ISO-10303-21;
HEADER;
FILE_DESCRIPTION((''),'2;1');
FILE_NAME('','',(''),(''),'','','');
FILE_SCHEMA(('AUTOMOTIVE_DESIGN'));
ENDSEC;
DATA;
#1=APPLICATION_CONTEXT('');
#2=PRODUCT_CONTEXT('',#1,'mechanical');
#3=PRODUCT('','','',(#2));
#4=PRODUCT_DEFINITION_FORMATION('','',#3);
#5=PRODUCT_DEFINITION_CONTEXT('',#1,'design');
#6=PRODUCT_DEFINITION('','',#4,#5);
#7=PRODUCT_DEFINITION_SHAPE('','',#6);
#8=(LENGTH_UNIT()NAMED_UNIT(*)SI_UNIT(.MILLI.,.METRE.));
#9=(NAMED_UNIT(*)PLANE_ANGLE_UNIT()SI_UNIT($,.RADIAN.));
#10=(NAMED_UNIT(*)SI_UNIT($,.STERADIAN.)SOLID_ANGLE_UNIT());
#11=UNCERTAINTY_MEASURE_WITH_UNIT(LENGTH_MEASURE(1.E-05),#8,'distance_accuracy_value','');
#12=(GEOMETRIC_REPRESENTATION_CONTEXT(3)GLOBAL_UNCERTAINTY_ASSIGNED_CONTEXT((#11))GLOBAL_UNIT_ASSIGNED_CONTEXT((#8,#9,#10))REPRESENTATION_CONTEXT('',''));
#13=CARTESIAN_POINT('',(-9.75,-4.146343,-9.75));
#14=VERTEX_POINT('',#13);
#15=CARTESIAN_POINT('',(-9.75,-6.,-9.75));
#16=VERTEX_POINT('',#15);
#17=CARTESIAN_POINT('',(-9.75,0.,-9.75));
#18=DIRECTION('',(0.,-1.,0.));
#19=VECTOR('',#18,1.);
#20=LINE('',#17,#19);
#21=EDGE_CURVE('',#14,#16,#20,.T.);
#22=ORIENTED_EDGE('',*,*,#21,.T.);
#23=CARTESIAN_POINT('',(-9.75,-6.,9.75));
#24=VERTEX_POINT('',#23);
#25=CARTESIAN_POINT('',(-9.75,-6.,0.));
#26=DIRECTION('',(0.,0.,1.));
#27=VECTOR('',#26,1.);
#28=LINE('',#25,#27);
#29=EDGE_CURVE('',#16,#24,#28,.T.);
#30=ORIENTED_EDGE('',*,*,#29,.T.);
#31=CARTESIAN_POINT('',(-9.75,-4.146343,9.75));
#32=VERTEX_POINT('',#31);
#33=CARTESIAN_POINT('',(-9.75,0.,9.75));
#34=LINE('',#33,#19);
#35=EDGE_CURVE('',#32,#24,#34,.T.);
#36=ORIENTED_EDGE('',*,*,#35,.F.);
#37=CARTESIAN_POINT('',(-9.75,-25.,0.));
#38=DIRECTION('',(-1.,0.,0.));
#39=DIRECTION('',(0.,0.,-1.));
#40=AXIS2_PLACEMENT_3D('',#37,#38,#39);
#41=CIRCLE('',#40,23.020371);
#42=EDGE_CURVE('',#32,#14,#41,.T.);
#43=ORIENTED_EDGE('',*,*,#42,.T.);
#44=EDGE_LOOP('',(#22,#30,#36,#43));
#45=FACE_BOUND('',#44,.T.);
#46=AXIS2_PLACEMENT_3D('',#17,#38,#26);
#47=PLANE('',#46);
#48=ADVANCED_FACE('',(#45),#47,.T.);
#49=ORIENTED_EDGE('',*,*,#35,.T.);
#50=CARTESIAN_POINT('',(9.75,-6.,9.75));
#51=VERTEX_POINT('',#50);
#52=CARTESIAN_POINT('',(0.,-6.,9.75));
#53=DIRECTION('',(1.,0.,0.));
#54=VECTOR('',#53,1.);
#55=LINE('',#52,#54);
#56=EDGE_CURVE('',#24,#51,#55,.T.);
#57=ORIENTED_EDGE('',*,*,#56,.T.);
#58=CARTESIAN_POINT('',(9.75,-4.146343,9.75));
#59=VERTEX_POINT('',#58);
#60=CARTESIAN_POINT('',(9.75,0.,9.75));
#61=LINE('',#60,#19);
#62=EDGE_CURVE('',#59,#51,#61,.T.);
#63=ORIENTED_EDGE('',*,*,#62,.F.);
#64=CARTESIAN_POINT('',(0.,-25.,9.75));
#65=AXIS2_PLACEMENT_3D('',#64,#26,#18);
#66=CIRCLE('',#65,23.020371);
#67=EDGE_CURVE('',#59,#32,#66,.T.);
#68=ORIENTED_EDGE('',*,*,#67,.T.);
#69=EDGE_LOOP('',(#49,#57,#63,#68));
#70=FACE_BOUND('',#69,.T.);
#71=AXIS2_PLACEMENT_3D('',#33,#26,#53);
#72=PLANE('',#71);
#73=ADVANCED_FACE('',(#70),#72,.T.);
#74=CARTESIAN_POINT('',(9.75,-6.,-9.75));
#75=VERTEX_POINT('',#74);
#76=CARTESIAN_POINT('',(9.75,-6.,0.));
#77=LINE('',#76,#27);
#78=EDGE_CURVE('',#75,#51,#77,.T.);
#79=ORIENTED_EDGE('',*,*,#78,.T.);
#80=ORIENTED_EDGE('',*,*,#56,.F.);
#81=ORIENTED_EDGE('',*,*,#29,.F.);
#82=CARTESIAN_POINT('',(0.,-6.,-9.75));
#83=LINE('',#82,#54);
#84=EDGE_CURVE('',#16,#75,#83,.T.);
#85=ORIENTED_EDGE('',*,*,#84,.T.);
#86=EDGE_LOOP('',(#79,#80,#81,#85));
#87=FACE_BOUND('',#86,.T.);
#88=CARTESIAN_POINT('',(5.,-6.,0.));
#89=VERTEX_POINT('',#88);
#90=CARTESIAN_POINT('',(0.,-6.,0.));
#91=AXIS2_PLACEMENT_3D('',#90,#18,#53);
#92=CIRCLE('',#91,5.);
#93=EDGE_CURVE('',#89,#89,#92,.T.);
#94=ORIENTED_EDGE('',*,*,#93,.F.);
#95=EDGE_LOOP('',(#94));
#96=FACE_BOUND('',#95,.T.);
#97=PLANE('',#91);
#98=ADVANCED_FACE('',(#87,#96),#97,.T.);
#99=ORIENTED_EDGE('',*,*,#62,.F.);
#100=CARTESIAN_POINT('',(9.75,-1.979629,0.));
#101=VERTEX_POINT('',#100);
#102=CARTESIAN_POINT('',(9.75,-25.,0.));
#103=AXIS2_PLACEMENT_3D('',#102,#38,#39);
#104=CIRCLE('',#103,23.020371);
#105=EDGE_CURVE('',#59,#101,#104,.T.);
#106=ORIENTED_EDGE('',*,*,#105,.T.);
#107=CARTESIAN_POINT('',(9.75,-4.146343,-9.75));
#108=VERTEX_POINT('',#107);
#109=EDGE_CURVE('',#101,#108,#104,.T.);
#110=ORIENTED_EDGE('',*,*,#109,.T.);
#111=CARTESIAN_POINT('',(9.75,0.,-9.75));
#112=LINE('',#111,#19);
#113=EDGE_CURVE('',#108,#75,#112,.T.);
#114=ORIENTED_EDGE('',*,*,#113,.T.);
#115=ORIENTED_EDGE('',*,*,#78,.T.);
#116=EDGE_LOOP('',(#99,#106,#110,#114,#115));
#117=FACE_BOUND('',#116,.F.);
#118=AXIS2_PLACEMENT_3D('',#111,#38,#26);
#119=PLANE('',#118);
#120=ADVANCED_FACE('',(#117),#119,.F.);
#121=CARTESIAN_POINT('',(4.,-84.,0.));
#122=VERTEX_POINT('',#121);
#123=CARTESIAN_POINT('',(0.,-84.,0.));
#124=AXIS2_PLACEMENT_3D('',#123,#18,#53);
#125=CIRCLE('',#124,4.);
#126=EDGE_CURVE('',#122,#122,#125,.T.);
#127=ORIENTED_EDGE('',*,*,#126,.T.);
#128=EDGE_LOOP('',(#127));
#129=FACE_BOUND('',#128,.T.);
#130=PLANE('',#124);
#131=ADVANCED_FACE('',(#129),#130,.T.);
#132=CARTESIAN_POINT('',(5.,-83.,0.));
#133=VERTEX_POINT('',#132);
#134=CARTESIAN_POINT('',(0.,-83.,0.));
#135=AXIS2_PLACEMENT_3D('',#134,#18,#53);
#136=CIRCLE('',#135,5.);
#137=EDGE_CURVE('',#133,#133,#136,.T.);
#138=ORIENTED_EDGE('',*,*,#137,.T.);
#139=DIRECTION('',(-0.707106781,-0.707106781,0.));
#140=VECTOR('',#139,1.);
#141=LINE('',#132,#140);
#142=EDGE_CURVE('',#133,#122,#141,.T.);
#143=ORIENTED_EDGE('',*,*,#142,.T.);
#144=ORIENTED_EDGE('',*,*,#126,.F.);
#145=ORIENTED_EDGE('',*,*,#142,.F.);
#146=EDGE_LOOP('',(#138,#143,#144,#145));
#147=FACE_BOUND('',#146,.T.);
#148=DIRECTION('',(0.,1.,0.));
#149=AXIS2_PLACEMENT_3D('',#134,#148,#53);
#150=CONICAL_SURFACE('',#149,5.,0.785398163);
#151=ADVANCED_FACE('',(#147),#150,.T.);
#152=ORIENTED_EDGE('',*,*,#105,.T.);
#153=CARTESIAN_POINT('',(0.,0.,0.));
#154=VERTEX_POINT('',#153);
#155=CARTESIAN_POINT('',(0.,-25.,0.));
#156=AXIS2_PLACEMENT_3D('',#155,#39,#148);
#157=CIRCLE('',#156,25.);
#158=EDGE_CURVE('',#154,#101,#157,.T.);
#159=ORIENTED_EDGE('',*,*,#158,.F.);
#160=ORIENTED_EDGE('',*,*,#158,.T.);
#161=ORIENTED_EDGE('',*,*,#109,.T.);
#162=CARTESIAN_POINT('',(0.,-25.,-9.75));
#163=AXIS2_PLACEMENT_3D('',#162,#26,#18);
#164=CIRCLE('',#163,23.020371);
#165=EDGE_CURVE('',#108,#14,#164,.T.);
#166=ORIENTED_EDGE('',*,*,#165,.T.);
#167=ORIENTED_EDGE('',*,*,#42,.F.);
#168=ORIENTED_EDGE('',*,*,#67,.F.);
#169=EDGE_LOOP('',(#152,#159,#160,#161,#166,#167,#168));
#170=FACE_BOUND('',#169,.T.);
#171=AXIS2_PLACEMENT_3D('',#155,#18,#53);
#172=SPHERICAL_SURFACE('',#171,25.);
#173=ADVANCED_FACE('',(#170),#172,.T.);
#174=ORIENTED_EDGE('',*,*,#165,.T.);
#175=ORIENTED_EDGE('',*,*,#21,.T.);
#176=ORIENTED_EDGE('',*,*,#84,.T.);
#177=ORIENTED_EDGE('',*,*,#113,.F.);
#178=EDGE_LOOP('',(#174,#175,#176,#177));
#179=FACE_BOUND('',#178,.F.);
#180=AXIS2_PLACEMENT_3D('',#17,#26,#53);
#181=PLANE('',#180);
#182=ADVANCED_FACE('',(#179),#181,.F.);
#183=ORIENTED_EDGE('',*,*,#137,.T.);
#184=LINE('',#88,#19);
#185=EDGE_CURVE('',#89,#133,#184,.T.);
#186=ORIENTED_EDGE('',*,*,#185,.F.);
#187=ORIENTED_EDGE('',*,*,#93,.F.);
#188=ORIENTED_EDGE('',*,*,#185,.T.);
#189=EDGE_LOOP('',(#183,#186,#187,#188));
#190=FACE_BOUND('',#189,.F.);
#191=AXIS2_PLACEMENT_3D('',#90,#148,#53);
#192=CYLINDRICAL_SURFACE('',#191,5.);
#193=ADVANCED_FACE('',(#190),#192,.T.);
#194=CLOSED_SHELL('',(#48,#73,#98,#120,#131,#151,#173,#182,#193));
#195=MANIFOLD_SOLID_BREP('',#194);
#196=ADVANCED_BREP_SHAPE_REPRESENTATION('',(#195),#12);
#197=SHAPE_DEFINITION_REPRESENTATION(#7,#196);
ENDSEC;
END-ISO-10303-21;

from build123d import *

# Parameters (mm, degrees)
F0_W     = 19.5
F0_H     = 19.5
F1_DEPTH = 6
F2_R     = 5
F3_DEPTH = 78
F4_SIZE  = 1


with BuildPart() as f1:
    # F0 (on Front) → F1 (new body)
    with BuildSketch(Plane.XZ):
        Rectangle(F0_W, F0_H)
    extrude(amount=F1_DEPTH)

    # F2 (on face) → F3 (join)
    with BuildSketch(Plane.XZ.offset(6)):
        Circle(F2_R)
    extrude(amount=F3_DEPTH)

    # F4
    f4_edges = [f1.edges().sort_by_distance(p)[0] for p in [
        (-5, -84, 0),
    ]]
    chamfer(f4_edges, length=F4_SIZE)

    # F5 (on Top) → F6 (revolve, cut)
    with BuildSketch(Plane.XY):
        with BuildLine():
            ThreePointArc((0, 0), (17.6776695297, -7.3223304703), (25, -25))
            Line((25, -25), (35.5271379938, -25))
            ThreePointArc((35.5271379938, -25), (25.1214801916, 0.1214801916), (0, 10.5271379938))
            Line((0, 10.5271379938), (0, 0))
        make_face()
    revolve(axis=Axis((0, 5.2635689969, 0), (0, -1, 0)), mode=Mode.SUBTRACT)


solid = f1.part
